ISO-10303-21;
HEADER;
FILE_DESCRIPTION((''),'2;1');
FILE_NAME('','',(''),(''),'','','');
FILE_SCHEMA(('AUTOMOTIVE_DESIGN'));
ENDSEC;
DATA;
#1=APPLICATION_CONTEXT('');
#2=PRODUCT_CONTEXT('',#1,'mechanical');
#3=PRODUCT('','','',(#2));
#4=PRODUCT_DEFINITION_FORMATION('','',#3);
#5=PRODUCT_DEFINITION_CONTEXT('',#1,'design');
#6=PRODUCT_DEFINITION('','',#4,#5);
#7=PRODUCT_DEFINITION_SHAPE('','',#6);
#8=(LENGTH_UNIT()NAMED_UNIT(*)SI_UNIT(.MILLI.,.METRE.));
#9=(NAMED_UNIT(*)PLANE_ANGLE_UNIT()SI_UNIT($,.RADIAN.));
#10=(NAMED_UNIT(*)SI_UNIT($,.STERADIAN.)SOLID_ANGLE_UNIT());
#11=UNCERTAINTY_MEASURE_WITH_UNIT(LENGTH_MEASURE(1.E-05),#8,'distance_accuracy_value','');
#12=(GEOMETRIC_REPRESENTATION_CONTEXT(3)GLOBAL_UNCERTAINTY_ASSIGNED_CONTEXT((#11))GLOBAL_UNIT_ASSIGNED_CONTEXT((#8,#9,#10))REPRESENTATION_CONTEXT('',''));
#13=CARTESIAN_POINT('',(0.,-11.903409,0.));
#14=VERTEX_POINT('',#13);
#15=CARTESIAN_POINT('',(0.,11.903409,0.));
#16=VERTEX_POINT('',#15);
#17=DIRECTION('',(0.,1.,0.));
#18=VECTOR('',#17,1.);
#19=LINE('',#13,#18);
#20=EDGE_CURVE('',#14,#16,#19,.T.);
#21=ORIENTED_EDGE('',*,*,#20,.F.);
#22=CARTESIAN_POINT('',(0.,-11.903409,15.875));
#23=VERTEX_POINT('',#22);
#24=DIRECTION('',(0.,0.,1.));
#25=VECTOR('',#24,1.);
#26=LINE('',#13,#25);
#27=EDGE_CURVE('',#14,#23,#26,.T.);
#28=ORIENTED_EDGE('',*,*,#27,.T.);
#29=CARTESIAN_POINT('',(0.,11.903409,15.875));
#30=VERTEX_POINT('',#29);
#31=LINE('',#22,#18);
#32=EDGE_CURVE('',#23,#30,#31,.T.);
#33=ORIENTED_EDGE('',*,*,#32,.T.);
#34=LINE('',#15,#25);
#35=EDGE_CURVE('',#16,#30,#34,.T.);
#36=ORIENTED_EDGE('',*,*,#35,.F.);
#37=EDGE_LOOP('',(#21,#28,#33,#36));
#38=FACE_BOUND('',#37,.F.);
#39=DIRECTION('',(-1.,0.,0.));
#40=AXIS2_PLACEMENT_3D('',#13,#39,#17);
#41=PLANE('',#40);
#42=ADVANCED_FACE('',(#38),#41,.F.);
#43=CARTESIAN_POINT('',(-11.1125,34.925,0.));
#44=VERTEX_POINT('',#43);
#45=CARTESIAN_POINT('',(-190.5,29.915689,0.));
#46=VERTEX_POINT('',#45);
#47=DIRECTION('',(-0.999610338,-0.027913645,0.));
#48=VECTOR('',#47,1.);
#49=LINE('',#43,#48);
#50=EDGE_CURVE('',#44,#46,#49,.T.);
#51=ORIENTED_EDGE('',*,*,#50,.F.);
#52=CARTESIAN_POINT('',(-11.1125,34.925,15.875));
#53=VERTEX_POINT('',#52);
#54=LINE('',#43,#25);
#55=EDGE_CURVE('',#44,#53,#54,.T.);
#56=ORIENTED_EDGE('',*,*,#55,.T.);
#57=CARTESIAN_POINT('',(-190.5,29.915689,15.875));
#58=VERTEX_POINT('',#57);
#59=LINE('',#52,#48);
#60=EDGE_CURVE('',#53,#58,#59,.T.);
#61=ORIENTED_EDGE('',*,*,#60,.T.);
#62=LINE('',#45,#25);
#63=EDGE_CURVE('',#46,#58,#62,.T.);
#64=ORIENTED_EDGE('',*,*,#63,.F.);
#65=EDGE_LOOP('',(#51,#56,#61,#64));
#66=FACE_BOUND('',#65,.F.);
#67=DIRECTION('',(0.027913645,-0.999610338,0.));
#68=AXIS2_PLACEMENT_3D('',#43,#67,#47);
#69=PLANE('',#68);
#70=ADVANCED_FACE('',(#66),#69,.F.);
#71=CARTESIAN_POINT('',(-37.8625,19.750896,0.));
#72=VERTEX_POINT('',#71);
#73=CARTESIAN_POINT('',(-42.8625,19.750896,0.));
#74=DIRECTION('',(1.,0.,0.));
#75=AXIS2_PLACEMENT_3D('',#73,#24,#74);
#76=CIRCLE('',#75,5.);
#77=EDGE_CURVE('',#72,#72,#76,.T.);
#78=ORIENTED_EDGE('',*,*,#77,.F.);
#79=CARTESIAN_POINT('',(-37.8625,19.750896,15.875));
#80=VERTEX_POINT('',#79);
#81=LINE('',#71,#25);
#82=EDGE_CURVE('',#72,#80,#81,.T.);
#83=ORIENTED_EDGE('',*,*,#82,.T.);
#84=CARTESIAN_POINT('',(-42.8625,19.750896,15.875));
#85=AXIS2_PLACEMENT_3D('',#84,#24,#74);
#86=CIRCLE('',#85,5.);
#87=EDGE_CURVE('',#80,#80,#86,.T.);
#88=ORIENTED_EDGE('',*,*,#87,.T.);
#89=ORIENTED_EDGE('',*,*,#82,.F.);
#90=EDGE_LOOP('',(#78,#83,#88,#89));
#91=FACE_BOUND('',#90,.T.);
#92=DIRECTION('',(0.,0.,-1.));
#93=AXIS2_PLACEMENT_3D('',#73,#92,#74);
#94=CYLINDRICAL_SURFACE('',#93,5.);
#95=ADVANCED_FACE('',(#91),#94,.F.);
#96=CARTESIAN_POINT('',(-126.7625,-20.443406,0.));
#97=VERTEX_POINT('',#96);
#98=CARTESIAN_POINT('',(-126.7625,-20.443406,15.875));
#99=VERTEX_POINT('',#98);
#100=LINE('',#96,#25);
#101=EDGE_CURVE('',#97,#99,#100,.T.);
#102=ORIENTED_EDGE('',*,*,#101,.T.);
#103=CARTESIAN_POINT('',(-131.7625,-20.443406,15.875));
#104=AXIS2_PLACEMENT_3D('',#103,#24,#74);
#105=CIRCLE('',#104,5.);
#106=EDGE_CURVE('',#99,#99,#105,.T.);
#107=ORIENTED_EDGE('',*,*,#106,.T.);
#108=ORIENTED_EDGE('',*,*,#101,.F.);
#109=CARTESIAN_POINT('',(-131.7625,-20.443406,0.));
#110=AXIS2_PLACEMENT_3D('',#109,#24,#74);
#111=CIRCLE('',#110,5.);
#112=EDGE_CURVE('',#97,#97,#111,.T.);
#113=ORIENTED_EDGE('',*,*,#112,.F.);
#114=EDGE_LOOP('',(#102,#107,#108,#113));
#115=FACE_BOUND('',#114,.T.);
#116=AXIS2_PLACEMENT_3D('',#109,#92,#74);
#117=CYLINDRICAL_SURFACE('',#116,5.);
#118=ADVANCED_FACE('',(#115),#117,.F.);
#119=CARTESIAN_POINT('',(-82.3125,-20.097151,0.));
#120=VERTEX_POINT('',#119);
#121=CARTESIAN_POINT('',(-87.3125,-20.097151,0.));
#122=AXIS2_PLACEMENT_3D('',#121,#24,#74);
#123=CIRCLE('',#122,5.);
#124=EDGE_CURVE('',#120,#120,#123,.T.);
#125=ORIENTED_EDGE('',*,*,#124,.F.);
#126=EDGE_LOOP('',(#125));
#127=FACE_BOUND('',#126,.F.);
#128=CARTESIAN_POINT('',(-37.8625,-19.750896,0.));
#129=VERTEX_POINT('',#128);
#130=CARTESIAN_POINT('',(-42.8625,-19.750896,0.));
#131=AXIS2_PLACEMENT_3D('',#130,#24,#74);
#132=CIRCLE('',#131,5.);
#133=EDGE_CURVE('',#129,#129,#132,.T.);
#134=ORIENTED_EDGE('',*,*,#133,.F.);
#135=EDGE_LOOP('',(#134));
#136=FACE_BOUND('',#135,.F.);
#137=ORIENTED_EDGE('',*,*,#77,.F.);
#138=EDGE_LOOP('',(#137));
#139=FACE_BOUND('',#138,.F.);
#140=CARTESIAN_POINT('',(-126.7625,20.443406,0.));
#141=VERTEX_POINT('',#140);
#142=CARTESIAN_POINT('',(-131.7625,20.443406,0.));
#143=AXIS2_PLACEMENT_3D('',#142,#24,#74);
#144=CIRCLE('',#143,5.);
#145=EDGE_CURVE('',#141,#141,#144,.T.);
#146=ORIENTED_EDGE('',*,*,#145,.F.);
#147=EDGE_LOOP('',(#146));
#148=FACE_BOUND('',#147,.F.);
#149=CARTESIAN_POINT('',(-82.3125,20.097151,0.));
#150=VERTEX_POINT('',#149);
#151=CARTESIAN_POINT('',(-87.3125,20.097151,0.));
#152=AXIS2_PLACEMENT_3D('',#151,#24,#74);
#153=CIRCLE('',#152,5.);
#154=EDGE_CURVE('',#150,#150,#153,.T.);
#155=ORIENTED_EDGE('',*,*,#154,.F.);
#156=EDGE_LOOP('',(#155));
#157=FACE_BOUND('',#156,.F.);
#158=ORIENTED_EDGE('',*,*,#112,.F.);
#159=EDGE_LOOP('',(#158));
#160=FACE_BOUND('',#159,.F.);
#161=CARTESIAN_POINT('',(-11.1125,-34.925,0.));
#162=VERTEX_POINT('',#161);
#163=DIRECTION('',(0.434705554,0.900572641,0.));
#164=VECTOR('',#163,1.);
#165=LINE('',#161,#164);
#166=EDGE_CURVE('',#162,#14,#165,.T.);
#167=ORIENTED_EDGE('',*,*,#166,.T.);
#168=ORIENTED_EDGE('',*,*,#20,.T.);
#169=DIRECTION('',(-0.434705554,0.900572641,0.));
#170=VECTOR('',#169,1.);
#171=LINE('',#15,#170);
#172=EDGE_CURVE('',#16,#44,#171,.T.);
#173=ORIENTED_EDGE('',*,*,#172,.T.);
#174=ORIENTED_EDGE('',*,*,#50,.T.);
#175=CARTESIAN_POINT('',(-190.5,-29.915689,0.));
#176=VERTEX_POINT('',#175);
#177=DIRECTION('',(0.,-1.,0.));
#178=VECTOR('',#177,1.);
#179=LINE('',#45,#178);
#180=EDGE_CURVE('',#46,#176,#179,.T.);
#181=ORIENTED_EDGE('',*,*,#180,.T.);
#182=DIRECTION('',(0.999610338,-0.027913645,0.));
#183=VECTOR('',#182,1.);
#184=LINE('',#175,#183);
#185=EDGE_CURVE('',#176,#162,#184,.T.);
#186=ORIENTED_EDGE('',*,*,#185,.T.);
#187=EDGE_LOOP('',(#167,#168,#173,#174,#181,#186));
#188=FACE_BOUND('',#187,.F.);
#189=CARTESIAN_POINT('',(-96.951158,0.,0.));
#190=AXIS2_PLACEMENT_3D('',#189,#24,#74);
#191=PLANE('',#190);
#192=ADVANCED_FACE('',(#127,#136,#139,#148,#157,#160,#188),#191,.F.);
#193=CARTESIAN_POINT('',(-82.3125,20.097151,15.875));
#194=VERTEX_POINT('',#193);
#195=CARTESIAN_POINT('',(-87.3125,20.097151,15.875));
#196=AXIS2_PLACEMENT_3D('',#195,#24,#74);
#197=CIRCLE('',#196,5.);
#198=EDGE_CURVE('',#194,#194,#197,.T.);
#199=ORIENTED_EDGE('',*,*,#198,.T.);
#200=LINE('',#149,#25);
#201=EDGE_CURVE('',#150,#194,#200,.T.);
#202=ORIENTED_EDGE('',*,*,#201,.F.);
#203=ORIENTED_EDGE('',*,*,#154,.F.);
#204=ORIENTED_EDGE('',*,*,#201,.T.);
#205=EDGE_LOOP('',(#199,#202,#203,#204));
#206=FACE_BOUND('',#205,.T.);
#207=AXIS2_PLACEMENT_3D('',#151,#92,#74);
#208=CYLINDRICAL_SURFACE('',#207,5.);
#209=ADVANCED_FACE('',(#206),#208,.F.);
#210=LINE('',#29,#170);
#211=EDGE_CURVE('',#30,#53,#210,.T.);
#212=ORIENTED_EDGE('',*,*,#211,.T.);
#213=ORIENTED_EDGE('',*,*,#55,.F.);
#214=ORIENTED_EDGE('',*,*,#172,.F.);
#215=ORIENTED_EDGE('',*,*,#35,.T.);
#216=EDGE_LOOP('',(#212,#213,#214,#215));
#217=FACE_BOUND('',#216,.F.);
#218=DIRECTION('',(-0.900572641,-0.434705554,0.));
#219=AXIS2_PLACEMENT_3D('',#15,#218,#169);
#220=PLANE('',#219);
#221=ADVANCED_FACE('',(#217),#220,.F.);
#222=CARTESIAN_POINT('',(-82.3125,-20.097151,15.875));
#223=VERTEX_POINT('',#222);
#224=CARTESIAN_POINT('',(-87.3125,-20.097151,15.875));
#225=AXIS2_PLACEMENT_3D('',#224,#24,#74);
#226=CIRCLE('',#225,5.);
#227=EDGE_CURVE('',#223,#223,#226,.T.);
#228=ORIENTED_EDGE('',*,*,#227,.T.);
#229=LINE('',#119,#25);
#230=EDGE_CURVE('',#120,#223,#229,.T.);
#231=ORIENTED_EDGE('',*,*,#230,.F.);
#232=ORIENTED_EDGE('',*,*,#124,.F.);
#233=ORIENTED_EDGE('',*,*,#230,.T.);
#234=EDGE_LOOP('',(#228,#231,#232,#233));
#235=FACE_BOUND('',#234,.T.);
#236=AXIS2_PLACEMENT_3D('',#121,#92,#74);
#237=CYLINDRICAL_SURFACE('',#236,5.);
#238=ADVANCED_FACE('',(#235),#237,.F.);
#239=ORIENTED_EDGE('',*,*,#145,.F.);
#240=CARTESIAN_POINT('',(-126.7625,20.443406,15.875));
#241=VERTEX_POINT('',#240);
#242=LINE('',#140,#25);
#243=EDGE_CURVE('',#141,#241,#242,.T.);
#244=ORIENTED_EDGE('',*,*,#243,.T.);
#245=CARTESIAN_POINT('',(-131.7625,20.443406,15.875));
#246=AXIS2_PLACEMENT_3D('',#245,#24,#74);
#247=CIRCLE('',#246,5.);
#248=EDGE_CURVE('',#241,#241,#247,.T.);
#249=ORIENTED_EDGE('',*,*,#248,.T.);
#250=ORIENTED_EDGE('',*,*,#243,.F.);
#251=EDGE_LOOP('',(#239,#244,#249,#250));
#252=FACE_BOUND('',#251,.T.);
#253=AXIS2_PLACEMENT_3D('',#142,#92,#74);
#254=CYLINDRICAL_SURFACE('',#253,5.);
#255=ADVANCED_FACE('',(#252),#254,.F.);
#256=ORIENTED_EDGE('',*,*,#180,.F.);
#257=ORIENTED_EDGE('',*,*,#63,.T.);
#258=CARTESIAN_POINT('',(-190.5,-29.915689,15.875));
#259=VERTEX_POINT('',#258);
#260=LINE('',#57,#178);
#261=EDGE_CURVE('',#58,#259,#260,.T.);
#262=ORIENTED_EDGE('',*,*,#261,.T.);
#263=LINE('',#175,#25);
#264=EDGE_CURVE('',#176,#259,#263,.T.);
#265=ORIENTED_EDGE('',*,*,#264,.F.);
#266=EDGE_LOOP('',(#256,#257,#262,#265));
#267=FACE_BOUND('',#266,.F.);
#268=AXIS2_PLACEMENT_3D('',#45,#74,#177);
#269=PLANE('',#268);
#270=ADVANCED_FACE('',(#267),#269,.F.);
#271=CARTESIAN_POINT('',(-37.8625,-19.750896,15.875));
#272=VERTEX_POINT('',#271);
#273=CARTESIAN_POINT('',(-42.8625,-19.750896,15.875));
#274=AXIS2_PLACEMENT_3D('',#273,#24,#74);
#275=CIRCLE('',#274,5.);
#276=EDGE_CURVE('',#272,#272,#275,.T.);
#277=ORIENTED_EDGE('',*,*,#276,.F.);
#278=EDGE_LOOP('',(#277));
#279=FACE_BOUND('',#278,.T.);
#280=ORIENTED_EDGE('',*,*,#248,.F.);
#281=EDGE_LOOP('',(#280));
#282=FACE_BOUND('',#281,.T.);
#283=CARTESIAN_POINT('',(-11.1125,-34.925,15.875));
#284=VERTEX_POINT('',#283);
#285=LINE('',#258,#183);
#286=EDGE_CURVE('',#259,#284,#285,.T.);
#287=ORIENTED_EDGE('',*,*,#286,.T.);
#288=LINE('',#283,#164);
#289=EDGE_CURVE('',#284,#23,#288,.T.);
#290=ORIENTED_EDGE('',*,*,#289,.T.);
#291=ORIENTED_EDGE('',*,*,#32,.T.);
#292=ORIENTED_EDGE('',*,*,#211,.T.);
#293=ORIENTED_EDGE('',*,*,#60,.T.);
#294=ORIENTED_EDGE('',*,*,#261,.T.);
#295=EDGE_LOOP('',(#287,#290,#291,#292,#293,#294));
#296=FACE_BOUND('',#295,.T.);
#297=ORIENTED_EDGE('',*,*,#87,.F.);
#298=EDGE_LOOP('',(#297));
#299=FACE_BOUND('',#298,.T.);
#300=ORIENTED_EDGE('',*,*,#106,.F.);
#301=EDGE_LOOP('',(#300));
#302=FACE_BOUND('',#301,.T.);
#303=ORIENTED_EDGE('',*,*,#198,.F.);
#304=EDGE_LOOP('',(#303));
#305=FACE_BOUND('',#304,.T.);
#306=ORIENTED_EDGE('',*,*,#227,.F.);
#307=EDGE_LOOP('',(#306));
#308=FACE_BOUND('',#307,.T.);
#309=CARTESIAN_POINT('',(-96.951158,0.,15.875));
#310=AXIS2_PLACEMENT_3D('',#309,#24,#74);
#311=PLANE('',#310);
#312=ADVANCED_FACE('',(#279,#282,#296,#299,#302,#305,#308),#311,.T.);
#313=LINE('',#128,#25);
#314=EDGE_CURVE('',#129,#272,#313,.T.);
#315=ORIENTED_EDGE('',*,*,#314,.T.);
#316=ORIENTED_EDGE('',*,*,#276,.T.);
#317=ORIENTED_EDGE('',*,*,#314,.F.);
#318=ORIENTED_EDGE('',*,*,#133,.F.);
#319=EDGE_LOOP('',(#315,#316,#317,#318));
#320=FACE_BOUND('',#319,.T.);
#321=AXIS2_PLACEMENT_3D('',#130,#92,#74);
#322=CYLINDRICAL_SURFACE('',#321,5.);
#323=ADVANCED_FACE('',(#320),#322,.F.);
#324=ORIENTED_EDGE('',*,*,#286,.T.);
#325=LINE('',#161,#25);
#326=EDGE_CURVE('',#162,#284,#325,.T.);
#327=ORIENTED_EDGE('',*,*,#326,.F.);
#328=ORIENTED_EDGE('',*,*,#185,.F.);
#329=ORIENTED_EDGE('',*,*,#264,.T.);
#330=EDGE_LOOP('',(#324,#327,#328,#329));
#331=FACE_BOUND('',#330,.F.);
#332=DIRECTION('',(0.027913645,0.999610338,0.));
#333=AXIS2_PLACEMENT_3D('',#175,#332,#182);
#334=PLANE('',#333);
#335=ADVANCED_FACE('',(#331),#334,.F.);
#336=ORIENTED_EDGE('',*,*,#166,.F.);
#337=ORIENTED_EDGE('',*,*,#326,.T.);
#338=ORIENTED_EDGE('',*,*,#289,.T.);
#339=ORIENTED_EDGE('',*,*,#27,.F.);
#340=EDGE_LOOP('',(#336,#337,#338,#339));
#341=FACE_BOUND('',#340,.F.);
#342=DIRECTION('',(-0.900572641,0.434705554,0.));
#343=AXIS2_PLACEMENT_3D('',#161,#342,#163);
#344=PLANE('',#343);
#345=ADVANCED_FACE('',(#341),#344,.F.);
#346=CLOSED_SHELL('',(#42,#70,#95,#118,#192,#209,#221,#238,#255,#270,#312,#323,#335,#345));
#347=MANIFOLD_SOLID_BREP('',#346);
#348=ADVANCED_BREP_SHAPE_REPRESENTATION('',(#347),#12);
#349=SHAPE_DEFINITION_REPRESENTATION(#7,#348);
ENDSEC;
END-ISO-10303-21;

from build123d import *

# Parameters (mm, degrees)
F0_R     = 5
F1_DEPTH = 15.875


with BuildPart() as f1:
    # F0 (on Top) → F1 (new body)
    with BuildSketch(Plane.XY):
        Polygon((0, -11.903409), (0, 0), (0, 11.903409), (-11.1125, 34.925), (-190.5, 29.915689), (-190.5, 0), (-190.5, -29.915689), (-11.1125, -34.925), align=None)
        with Locations((-131.7625, -20.443406)):
            Circle(F0_R, mode=Mode.SUBTRACT)
        with Locations((-87.3125, -20.097151)):
            Circle(F0_R, mode=Mode.SUBTRACT)
        with Locations((-42.8625, -19.750896)):
            Circle(F0_R, mode=Mode.SUBTRACT)
        with Locations((-131.7625, 20.443406)):
            Circle(F0_R, mode=Mode.SUBTRACT)
        with Locations((-87.3125, 20.097151)):
            Circle(F0_R, mode=Mode.SUBTRACT)
        with Locations((-42.8625, 19.750896)):
            Circle(F0_R, mode=Mode.SUBTRACT)
    extrude(amount=F1_DEPTH)


solid = f1.part
